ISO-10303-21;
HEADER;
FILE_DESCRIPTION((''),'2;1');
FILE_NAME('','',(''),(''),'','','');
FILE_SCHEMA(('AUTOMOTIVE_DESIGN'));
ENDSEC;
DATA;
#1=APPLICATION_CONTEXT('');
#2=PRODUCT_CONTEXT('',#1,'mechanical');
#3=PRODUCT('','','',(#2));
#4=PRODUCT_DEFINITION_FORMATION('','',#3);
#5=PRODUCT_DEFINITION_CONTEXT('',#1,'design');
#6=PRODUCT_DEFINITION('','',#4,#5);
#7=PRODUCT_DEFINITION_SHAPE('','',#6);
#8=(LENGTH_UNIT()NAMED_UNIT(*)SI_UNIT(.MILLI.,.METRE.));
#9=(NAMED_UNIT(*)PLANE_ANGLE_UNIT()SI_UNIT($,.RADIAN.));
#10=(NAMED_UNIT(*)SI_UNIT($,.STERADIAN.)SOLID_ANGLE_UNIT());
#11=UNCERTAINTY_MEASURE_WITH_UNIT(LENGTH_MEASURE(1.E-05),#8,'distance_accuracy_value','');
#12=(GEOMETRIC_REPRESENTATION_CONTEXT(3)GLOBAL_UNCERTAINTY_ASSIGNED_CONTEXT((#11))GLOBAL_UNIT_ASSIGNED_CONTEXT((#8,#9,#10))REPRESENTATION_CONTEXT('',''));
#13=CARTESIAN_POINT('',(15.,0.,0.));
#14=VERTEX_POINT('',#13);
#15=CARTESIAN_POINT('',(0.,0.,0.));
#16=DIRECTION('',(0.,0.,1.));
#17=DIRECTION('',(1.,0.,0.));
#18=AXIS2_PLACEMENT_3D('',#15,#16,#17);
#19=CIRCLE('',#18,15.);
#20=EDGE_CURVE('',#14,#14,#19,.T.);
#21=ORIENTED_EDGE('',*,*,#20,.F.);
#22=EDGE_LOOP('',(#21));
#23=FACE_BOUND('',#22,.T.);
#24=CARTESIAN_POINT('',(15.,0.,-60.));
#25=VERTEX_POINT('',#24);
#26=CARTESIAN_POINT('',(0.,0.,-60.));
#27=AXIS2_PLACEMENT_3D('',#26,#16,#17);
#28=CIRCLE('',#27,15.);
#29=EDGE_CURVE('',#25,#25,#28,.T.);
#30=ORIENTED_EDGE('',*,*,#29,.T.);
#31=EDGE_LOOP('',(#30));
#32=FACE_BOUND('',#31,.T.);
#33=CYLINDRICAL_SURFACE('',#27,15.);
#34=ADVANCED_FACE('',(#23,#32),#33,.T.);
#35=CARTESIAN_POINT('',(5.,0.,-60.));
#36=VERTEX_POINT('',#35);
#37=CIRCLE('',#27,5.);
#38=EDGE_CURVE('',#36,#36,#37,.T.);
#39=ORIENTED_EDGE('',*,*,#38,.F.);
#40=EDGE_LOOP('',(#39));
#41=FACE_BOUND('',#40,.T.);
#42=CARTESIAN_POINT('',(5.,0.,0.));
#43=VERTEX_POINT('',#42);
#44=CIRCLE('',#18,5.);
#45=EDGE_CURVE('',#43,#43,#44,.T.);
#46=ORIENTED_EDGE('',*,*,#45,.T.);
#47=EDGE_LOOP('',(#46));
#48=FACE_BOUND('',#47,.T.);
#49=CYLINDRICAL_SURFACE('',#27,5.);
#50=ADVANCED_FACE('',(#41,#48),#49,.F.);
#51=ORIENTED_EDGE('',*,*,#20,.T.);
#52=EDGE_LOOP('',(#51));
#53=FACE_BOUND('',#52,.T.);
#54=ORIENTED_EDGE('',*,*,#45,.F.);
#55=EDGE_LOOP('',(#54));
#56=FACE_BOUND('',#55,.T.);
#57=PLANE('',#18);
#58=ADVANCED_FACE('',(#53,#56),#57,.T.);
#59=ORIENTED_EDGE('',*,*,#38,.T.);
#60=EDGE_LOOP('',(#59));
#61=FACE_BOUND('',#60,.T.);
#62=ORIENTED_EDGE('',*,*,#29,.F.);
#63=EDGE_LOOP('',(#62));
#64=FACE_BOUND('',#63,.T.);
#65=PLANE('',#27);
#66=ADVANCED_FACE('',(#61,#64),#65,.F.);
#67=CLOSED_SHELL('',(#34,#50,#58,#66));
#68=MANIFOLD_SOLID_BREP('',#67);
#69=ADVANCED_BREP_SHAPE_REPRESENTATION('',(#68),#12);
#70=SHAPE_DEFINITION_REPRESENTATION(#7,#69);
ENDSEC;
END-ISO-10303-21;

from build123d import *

# Parameters (mm, degrees)
SKETCH1_R           = 15
SKETCH1_R_2         = 5
BOSS_EXTRUDE1_DEPTH = 60


with BuildPart() as part:
    # Sketch1 → Boss-Extrude1 (new body)
    with BuildSketch(Plane.XY):
        Circle(SKETCH1_R)
        Circle(SKETCH1_R_2, mode=Mode.SUBTRACT)
    extrude(amount=-BOSS_EXTRUDE1_DEPTH)


solid = part.part
